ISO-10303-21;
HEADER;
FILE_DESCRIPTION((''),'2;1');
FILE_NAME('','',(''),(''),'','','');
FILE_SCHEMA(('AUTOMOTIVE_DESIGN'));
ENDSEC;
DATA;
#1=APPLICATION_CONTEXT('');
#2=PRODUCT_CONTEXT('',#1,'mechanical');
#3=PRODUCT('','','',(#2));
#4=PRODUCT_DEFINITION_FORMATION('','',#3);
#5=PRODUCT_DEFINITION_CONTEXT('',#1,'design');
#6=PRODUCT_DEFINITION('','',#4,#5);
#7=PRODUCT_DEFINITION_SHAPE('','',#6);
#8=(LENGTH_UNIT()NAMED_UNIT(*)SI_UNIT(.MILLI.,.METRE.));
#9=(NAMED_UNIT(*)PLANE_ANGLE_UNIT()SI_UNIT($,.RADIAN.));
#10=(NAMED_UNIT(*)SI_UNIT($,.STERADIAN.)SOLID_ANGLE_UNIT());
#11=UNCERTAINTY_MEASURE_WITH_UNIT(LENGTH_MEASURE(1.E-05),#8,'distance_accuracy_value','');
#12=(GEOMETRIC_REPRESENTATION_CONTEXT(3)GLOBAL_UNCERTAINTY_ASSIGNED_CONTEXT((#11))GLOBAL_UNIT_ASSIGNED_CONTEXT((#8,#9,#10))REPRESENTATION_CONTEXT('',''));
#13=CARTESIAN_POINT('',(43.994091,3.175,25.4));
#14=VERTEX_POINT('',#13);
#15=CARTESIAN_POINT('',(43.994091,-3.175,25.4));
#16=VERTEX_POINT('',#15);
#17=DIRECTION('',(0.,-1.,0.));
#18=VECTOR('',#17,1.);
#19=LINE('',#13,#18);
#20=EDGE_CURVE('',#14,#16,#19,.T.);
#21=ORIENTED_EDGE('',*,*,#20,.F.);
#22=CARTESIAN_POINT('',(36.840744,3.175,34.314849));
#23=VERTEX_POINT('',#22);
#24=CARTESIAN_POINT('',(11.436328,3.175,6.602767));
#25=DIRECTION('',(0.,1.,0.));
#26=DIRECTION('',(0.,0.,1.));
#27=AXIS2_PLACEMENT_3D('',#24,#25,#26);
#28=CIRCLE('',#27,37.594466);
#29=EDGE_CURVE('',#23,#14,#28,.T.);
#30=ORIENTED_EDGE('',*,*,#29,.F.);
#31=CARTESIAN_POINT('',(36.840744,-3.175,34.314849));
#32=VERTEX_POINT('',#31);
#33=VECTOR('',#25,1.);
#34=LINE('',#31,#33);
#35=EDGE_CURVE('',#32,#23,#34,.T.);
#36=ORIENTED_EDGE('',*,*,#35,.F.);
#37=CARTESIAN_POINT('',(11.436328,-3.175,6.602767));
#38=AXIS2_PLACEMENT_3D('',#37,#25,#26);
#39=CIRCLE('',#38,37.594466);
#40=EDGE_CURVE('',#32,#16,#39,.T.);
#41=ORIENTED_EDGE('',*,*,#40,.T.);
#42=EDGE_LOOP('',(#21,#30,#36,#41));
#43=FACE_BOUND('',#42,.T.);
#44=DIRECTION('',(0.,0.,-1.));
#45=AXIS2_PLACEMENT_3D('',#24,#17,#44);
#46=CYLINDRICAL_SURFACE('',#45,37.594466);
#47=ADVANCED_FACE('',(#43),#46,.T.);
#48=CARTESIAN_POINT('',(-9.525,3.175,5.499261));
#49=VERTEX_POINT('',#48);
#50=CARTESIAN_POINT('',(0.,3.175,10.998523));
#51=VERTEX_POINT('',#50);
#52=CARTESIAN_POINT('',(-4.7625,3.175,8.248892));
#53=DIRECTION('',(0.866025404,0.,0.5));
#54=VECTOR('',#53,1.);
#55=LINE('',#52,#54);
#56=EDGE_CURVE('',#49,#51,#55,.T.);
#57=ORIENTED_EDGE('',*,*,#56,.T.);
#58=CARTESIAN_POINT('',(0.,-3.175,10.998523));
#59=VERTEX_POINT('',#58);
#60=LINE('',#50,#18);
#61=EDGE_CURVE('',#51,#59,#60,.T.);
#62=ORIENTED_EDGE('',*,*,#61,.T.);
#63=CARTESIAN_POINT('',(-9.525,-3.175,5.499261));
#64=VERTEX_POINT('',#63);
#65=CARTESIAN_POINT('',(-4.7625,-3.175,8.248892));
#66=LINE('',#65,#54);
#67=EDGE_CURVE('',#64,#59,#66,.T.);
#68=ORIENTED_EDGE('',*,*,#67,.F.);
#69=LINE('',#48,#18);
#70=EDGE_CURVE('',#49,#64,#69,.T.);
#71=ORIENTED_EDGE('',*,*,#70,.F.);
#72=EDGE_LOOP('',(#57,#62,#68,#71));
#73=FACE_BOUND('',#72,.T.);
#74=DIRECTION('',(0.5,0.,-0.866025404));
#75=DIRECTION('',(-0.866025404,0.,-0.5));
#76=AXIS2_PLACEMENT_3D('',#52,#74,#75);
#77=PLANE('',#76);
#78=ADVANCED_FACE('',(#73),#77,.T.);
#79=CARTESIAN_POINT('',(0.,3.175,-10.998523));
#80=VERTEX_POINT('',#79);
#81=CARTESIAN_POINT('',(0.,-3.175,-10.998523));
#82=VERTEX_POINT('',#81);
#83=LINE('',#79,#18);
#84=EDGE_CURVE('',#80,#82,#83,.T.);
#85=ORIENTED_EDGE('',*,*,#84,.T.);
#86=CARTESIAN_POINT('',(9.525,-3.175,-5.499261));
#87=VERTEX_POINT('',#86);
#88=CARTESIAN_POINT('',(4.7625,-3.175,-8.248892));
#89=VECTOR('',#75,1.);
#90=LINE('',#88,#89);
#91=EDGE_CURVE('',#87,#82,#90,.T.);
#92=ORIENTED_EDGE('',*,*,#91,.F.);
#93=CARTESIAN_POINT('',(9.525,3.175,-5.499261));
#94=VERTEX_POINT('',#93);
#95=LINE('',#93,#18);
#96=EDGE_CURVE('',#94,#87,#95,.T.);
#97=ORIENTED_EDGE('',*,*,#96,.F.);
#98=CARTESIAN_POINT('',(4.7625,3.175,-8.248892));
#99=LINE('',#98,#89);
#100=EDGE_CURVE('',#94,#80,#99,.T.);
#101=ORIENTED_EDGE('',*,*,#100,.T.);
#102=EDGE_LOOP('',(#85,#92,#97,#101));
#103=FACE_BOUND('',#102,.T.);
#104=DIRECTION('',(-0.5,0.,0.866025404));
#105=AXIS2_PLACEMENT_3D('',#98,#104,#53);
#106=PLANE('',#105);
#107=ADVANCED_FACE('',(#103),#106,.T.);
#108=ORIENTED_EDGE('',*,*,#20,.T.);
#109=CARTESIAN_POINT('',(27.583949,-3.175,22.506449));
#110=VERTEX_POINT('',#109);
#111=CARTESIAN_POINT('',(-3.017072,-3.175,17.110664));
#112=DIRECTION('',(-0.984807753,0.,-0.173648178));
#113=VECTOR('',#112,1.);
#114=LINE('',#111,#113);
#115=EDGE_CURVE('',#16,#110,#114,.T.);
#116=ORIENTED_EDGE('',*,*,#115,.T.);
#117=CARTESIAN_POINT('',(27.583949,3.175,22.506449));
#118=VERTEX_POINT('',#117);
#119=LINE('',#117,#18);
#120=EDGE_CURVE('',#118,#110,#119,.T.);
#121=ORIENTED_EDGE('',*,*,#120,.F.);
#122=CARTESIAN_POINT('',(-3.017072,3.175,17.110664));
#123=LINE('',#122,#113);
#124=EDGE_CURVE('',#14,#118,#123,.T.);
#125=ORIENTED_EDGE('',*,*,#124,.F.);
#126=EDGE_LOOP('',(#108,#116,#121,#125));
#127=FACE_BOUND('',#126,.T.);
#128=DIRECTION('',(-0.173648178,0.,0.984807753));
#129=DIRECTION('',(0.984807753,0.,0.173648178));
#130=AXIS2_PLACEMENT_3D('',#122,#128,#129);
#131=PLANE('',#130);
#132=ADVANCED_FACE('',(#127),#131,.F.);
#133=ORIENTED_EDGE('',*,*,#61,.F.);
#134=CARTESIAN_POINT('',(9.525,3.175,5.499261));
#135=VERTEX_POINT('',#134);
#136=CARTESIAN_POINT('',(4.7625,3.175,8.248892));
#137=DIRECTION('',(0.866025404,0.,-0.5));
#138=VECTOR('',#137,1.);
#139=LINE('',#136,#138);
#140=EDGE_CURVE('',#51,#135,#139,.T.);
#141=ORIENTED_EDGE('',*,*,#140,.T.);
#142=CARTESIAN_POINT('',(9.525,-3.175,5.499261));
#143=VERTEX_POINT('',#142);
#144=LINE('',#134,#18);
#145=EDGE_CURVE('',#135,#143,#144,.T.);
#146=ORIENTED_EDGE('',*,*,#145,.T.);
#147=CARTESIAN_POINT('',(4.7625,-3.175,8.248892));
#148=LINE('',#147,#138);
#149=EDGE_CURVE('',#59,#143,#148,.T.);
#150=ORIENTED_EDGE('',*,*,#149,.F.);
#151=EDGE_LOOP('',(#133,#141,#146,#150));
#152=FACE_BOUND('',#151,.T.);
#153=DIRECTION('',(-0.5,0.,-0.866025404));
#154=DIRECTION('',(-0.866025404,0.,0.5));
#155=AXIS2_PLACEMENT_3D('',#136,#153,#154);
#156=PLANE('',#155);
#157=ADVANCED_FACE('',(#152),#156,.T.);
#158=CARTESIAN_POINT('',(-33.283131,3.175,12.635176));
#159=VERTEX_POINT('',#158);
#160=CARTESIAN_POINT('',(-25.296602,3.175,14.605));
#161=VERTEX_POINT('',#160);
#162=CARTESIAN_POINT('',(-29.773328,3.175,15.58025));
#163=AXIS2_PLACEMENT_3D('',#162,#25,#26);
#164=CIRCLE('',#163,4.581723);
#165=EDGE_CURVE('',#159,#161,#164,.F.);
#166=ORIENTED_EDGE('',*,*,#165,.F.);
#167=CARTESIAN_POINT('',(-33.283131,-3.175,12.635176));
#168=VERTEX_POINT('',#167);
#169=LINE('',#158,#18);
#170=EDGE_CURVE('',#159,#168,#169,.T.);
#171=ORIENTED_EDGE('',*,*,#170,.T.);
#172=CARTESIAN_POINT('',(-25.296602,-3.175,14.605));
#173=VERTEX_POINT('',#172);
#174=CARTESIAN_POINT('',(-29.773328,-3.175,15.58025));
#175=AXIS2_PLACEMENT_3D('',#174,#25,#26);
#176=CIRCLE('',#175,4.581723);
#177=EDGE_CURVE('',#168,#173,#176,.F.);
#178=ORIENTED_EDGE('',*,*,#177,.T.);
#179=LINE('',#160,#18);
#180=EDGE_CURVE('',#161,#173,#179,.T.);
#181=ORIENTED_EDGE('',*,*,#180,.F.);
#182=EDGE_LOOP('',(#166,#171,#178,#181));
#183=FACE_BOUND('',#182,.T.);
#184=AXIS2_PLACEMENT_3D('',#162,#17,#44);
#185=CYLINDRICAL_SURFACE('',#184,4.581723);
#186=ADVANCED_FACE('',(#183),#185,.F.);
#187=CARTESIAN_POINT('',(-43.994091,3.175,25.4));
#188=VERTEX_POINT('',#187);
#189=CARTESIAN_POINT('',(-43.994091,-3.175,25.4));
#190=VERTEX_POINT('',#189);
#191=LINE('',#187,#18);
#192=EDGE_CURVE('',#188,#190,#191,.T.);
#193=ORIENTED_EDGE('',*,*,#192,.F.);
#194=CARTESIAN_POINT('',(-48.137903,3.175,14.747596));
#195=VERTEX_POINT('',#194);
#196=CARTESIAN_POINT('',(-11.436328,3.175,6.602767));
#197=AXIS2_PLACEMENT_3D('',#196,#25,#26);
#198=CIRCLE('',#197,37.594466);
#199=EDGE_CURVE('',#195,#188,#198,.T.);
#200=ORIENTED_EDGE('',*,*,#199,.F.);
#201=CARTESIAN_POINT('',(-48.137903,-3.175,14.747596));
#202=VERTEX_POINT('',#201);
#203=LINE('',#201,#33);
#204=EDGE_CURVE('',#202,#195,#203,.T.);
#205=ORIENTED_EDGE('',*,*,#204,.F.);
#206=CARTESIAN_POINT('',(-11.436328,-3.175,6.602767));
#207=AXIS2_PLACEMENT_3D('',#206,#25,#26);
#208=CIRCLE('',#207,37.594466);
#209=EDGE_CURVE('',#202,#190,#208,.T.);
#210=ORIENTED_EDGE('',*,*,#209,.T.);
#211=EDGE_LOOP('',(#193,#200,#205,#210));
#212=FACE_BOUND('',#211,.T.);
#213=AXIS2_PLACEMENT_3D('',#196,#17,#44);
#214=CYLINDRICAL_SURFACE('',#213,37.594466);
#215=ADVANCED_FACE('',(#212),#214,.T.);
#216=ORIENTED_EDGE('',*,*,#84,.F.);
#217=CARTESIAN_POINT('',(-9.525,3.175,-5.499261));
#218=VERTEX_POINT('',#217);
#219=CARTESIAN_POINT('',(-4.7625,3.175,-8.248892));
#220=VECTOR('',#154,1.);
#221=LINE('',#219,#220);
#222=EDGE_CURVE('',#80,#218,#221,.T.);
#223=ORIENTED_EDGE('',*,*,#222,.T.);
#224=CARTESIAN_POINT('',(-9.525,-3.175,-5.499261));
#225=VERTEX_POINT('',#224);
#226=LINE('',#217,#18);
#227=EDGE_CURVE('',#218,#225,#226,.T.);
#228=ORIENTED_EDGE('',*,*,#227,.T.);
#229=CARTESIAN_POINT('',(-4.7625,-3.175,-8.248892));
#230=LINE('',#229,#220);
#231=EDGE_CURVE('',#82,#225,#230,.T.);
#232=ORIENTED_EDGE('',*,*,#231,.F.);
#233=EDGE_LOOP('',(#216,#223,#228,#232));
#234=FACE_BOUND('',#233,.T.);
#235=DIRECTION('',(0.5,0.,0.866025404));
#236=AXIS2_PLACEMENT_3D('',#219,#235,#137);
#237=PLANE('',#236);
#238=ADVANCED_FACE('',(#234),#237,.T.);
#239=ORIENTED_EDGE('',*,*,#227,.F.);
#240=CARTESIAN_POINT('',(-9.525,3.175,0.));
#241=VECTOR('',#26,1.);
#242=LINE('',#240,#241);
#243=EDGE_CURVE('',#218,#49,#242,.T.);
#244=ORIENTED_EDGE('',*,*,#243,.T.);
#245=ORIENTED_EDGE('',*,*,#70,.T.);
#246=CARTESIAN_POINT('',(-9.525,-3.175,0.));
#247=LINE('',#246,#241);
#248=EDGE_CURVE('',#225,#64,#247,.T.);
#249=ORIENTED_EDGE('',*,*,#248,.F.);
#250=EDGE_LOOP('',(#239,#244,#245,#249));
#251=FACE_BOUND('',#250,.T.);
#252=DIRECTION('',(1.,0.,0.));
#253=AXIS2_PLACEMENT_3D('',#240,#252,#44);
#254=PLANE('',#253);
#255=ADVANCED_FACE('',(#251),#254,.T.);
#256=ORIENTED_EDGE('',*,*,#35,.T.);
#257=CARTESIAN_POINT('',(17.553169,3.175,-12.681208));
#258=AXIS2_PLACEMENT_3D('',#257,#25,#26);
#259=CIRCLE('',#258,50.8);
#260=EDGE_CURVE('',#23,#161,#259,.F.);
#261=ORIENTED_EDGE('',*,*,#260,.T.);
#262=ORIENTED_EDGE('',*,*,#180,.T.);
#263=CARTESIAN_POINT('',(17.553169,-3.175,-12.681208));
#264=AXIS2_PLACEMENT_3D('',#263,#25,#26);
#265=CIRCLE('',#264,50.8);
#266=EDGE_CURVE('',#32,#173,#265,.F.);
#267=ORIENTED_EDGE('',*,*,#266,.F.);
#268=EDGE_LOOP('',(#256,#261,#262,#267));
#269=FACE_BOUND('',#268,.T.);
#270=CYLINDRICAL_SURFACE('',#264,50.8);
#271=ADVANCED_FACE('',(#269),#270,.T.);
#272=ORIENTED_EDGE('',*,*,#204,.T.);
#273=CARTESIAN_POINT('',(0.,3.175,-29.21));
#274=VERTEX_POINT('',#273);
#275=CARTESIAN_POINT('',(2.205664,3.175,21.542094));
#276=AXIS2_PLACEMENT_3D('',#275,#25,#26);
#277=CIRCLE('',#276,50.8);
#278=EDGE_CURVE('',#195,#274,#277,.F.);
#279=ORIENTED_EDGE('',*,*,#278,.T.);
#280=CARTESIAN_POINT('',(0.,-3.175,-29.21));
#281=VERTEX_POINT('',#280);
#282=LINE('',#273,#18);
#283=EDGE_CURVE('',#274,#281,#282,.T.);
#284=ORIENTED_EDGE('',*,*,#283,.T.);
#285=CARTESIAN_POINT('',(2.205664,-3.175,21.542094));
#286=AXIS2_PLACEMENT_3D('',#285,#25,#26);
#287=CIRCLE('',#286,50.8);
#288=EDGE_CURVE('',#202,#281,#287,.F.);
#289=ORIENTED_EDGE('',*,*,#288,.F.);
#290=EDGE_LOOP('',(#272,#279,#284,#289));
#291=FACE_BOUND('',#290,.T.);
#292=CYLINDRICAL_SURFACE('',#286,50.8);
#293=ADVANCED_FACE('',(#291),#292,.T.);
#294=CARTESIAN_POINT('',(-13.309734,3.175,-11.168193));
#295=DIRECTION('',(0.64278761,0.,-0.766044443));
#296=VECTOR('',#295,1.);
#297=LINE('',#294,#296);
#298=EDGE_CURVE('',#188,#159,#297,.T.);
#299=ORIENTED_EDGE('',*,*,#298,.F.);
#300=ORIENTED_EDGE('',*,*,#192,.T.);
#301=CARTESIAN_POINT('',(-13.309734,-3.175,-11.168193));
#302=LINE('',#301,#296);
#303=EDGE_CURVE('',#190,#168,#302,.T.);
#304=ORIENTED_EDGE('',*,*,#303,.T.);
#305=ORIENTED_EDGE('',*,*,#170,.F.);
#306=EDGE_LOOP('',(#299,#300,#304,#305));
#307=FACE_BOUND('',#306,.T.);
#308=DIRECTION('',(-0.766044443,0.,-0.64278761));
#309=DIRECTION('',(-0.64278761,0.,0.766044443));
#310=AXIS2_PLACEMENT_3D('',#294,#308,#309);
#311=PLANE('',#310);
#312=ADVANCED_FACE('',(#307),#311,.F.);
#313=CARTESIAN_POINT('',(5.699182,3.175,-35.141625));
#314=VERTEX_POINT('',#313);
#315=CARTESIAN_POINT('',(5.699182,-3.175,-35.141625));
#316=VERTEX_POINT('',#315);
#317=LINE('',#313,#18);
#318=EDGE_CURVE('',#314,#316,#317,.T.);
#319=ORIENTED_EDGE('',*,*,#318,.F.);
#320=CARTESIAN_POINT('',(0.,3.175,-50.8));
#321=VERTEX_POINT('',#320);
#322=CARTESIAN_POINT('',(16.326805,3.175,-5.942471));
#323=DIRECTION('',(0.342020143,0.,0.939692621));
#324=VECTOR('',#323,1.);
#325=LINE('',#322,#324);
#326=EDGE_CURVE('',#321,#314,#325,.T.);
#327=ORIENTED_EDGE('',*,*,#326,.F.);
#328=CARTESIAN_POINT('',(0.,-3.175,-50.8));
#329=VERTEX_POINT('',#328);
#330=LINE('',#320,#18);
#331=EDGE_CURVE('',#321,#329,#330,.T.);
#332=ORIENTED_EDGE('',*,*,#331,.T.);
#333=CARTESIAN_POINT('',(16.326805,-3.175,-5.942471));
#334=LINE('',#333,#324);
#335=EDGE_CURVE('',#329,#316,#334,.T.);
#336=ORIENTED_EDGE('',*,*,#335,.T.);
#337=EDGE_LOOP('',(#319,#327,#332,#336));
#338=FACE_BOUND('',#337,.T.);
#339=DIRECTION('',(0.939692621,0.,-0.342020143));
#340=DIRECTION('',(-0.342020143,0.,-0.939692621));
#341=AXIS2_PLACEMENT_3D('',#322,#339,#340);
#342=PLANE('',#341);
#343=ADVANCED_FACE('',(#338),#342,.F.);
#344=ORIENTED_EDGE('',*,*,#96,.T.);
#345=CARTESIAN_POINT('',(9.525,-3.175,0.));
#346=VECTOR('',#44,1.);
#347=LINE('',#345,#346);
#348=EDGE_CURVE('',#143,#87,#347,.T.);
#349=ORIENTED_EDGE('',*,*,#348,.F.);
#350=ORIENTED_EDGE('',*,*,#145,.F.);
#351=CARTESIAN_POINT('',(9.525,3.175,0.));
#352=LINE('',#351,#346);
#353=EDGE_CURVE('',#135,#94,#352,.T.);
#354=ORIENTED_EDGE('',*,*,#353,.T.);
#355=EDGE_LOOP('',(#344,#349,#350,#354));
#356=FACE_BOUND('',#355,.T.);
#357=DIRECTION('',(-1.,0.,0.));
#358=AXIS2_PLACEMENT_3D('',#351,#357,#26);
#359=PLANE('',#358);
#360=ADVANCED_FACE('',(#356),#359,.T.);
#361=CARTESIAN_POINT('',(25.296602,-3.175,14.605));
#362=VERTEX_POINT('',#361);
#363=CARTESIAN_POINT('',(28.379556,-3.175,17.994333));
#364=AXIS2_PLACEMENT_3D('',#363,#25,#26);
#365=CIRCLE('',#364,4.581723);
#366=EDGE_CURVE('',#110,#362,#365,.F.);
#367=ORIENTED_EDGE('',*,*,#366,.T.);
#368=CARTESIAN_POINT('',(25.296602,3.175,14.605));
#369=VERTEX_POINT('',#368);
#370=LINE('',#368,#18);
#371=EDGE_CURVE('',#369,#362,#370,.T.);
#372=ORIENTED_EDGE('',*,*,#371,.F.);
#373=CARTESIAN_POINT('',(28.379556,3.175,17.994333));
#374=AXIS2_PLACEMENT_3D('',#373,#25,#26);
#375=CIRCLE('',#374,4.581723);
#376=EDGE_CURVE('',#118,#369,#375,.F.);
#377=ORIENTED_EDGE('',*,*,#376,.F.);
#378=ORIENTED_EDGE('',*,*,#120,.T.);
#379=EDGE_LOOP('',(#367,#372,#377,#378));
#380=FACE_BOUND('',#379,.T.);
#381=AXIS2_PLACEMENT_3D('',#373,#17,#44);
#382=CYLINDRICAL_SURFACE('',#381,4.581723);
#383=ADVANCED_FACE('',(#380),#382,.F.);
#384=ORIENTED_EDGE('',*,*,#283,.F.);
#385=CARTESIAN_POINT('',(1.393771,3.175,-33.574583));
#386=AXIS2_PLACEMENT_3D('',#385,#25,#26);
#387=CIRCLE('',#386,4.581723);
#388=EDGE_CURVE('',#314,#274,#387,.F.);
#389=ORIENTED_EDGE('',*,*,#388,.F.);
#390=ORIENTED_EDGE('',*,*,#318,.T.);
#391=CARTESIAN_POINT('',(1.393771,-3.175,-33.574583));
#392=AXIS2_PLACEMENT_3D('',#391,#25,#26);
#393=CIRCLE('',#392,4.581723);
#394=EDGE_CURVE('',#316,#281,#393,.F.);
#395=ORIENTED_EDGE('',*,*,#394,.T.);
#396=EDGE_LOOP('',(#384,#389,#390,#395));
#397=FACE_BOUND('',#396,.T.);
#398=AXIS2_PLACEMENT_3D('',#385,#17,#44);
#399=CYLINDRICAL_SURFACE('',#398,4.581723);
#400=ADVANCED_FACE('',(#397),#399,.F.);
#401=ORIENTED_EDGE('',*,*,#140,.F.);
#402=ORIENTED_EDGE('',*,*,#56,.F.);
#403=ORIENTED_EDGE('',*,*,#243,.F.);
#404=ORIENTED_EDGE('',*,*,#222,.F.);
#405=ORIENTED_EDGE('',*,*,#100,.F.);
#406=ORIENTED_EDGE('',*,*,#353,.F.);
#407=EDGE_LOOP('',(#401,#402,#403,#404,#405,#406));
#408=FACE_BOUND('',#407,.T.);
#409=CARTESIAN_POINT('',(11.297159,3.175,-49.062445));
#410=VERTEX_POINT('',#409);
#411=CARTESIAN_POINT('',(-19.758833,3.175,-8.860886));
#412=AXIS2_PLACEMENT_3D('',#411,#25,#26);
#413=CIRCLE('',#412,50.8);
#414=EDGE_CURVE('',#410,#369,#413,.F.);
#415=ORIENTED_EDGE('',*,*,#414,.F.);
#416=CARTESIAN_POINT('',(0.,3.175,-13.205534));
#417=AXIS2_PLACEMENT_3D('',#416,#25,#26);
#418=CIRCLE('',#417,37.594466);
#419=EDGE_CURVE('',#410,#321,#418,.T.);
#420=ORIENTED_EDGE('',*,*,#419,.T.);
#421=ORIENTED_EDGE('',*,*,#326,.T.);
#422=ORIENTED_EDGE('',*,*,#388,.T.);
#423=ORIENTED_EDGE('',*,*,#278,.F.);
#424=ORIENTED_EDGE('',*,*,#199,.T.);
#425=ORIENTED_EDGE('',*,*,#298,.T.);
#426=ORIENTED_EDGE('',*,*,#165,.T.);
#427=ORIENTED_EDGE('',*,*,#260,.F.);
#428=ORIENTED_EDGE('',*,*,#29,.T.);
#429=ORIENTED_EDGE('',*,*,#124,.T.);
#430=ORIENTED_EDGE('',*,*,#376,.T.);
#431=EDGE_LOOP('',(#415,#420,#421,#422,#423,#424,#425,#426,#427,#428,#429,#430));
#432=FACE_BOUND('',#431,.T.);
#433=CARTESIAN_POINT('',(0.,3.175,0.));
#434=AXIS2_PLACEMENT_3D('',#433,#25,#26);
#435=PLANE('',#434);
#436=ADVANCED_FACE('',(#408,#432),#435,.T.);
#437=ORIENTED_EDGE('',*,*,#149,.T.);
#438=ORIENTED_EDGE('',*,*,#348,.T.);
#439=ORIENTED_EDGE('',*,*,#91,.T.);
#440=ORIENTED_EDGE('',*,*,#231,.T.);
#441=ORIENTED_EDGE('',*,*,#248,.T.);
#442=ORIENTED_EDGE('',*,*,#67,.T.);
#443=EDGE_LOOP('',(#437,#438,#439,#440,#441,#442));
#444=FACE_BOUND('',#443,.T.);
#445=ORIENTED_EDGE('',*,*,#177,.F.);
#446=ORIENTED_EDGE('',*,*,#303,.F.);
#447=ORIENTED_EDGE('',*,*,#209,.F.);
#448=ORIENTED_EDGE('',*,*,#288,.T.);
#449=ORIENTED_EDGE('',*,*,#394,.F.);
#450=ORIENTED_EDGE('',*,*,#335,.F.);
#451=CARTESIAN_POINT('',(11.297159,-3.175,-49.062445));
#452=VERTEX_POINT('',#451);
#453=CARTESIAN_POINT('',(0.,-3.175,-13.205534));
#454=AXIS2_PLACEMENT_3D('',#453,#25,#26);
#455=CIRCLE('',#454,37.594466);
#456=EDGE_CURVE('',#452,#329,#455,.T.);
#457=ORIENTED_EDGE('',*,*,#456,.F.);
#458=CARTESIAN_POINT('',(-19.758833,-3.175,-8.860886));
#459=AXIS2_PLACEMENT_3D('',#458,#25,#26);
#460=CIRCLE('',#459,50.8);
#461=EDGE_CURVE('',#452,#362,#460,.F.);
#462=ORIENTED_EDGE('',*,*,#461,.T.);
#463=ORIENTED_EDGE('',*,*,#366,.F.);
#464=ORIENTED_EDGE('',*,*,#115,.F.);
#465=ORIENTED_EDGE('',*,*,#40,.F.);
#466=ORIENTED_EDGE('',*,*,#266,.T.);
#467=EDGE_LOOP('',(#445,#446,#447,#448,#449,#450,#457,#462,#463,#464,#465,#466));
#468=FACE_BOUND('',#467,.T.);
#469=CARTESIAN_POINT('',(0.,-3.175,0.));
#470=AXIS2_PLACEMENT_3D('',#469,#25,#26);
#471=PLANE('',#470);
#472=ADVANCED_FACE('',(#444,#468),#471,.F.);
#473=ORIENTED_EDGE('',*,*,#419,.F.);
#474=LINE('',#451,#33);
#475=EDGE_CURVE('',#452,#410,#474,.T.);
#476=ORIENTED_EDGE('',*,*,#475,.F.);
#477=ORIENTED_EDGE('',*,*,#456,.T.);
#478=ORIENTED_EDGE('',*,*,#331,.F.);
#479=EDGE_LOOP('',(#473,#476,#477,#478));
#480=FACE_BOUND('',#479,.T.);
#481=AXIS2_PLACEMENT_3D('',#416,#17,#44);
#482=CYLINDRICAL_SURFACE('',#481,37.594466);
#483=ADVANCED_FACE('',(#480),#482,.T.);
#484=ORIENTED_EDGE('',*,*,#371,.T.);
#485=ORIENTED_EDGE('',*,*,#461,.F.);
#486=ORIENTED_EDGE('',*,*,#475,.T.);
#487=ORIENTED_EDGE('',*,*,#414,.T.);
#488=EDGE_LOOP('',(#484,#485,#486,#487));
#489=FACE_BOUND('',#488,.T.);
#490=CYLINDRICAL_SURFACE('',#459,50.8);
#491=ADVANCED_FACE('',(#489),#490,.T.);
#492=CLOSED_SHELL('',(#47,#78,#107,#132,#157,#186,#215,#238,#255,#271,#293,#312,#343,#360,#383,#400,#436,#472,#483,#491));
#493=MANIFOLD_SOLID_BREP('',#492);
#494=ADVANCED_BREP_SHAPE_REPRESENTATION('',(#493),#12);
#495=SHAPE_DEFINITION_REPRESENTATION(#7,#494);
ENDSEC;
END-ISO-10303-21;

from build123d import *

# Parameters (mm, degrees)
BOSS_EXTRUDE2_DEPTH = 3.175
CUT_EXTRUDE1_DEPTH  = 7.35


with BuildPart() as part:
    # Sketch2 → Boss-Extrude2 (new body, symmetric)
    with BuildSketch(Plane(origin=(0, 0, 0), x_dir=(1, 0, 0), z_dir=(0, 1, 0))):
        with BuildLine():
            Line((0, 50.8), (5.699182497, 35.141624781))
            ThreePointArc((5.699182497, 35.141624781), (4.697625818, 30.400196659), (0, 29.21))
            ThreePointArc((0, 29.21), (-40.712457699, 16.982230342), (-43.994090512, -25.4))
            Line((-43.994090512, -25.4), (-33.283131039, -12.635175567))
            ThreePointArc((-33.283131039, -12.635175567), (-28.676155496, -11.131835033), (-25.296602045, -14.605))
            ThreePointArc((-25.296602045, -14.605), (5.64918596, -43.749137789), (43.994090512, -25.4))
            Line((43.994090512, -25.4), (27.583948542, -22.506449213))
            ThreePointArc((27.583948542, -22.506449213), (23.978529677, -19.268361626), (25.296602045, -14.605))
            ThreePointArc((25.296602045, -14.605), (35.063271738, 26.766907447), (0, 50.8))
        make_face()
        Polygon((0, 10.998522628), (9.525, 5.499261314), (9.525, -5.499261314), (0, -10.998522628), (-9.525, -5.499261314), (-9.525, 5.499261314), align=None, mode=Mode.SUBTRACT)
    extrude(amount=BOSS_EXTRUDE2_DEPTH, both=True)

    # Sketch3 → Cut-Extrude1 (cut, through all)
    with BuildSketch(Plane(origin=(0, 3.175, 0), x_dir=(1, 0, 0), z_dir=(0, 1, 0))):
        with BuildLine():
            ThreePointArc((0, 29.21), (-36.786884898, 21.158593478), (-48.137903328, -14.747595795))
            ThreePointArc((-48.137903328, -14.747595795), (-32.049598102, 15.970797155), (0, 29.21))
        make_face()
        with BuildLine():
            ThreePointArc((11.297159061, 49.062445064), (29.855915106, 19.77036756), (25.296602045, -14.605))
            ThreePointArc((25.296602045, -14.605), (36.717321909, 21.279080109), (11.297159061, 49.062445064))
        make_face()
        with BuildLine():
            ThreePointArc((-25.296602045, -14.605), (0.069562989, -42.437673587), (36.840744267, -34.314849269))
            ThreePointArc((36.840744267, -34.314849269), (2.193682996, -35.741164715), (-25.296602045, -14.605))
        make_face()
    extrude(amount=-CUT_EXTRUDE1_DEPTH, mode=Mode.SUBTRACT)


solid = part.part
